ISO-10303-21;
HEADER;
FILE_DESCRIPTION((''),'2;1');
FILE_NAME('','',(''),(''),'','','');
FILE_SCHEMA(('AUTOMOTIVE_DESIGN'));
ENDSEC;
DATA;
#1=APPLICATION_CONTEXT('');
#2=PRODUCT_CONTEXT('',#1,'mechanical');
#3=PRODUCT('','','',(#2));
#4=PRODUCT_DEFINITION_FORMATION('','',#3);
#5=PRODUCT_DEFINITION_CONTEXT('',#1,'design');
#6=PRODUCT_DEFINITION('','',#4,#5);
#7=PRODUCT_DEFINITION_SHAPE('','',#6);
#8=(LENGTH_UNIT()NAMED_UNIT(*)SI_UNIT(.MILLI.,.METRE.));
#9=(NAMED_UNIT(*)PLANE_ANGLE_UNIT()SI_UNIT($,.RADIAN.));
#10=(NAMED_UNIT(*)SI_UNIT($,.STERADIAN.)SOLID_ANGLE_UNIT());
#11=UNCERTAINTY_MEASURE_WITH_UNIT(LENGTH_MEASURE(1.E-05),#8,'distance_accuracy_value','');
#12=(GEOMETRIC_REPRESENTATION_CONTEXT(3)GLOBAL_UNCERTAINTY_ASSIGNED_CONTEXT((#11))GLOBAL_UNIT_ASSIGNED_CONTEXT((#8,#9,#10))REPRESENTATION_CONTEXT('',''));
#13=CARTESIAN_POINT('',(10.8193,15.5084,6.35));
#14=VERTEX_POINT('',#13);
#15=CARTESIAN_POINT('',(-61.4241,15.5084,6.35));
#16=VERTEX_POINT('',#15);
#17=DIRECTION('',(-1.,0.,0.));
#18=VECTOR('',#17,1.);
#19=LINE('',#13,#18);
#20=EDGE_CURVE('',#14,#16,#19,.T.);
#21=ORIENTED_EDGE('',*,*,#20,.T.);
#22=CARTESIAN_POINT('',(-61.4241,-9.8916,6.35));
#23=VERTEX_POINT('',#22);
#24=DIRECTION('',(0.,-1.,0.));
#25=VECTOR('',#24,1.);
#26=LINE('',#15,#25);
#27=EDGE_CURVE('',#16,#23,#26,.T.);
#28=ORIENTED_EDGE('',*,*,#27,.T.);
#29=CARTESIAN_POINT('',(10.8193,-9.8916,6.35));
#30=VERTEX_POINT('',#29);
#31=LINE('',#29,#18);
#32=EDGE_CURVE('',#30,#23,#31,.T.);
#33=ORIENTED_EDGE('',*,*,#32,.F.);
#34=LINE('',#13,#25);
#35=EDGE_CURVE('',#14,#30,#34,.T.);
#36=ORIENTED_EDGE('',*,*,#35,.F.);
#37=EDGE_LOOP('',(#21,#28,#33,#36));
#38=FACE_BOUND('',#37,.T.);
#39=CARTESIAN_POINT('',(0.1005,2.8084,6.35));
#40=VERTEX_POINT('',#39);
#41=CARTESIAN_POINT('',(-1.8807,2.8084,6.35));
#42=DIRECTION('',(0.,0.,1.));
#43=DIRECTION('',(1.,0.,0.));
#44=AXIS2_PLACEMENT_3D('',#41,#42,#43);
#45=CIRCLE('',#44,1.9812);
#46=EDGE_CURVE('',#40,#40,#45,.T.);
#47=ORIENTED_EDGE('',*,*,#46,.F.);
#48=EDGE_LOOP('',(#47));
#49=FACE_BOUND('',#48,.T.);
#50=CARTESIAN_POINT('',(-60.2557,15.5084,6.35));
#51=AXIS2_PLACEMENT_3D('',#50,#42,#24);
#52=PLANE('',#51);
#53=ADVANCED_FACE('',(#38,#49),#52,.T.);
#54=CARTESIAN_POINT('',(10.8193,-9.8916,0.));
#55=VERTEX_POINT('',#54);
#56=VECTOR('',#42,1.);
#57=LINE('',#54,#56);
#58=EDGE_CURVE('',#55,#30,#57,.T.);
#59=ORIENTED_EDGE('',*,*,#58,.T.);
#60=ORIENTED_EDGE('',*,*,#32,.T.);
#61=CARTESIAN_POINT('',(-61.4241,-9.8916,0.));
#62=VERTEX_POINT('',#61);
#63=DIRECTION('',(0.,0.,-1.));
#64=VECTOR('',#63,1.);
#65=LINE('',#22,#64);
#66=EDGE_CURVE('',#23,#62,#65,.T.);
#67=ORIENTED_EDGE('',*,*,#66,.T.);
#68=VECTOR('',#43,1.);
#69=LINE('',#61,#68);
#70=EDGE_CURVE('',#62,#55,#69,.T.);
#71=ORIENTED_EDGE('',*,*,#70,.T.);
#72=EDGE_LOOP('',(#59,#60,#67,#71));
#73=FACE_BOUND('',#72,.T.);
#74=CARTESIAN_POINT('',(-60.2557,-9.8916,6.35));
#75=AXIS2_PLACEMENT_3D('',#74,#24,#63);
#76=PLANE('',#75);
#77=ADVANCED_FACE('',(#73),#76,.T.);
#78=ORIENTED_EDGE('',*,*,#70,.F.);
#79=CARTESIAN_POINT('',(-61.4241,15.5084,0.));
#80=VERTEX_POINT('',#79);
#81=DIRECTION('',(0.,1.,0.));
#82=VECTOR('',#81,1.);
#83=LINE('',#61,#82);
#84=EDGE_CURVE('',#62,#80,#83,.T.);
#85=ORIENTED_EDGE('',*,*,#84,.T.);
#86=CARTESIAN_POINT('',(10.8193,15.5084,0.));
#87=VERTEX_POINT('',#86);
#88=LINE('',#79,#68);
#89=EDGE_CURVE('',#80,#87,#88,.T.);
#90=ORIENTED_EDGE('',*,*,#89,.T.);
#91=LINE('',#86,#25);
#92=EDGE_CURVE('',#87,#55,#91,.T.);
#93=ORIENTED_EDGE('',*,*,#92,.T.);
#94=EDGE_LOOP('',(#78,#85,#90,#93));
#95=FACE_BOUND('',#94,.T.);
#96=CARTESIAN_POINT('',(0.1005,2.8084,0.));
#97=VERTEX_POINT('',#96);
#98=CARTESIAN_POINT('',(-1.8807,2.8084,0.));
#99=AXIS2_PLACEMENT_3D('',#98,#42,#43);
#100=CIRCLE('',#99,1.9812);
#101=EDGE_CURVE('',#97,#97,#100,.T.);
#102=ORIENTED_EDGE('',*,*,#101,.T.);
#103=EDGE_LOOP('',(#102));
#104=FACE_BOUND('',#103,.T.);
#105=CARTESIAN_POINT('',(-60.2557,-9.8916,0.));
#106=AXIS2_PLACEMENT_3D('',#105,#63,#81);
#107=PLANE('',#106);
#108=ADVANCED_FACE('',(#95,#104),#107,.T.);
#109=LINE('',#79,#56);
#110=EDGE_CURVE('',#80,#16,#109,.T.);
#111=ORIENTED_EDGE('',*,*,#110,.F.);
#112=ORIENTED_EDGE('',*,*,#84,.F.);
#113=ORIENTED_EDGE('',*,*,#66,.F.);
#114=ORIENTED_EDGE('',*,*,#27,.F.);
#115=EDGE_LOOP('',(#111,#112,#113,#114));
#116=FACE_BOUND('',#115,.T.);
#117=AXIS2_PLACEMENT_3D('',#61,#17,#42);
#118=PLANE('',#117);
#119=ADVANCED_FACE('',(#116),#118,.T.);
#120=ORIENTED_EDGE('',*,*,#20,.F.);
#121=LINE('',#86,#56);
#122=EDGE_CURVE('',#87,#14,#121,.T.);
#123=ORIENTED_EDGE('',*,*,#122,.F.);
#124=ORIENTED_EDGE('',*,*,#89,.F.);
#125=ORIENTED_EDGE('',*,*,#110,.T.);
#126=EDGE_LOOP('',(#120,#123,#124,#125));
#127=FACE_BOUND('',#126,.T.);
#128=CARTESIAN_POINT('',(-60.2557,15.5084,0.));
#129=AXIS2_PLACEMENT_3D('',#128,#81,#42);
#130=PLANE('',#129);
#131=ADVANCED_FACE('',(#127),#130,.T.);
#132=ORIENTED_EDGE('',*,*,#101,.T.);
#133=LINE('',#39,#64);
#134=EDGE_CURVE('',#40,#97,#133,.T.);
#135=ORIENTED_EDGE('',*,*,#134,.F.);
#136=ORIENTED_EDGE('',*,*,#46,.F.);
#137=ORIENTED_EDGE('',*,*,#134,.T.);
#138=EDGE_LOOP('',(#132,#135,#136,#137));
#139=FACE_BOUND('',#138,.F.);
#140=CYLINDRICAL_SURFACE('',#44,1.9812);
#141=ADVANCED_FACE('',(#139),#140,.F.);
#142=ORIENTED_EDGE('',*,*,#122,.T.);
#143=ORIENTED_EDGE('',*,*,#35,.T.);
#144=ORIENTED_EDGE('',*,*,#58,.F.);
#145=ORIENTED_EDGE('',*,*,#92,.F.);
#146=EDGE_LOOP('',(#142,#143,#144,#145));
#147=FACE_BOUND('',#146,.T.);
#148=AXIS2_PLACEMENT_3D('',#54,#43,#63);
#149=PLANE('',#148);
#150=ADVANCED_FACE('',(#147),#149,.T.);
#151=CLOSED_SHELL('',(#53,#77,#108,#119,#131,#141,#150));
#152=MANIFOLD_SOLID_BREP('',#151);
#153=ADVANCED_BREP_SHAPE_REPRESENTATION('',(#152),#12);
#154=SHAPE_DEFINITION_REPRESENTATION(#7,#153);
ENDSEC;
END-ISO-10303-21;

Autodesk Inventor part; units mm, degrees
ref_plane "YZ Plane" through (0, 0, 0) normal (1, 0, 0) x (0, 1, 0)
ref_plane "XZ Plane" through (0, 0, 0) normal (0, 1, 0) x (-1, 0, 0)
ref_plane "XY Plane" through (0, 0, 0) normal (0, 0, 1) x (1, 0, 0)
sketch "Sketch1" plane through (0, 0, 0) normal (0, 0, 1) x (1, 0, 0)
  line L0 (-53.9057, 15.5084) -> (-1.8807, 15.5084)
  line L1 (-1.8807, 15.5084) -> (-1.8807, -9.8916)
  line L2 (-1.8807, -9.8916) -> (-53.9057, -9.8916)
  line L3 (-53.9057, -9.8916) -> (-53.9057, 15.5084)
  point P0 (0, 0)
  dimension "d0" = 52.025
  dimension "d1" = 25.4
extrude "Extrusion1" add sketch "Sketch1" along normal blind 6.35
sketch "Sketch2" plane through (-1.8807, -9.8916, 0) normal (1, 0, 0) x (0, 0, -1)
  line L0 (-6.35, 25.4) -> (-6.35, 0) projected
  line L1 (0, 0) -> (-6.35, 0) projected
  line L2 (0, 25.4) -> (0, 0) projected
  line L3 (0, 25.4) -> (-6.35, 25.4) projected
  point P0 (0, 9.8916)
extrude "Extrusion2" add sketch "Sketch2" along normal blind 12.7
sketch "Sketch3" plane through (0, 0, 6.35) normal (0, 0, 1) x (1, 0, 0)
  line L0 (10.8193, -9.8916) -> (10.8193, 15.5084) projected
  line L1 (10.8193, -9.8916) -> (10.8193, 2.8084)
  line L2 (10.8193, 2.8084) -> (-1.8807, 2.8084)
  circle A0 centre (-1.8807, 2.8084) radius 1.9812
  point P0 (0, 0)
  dimension "d6" = 12.7
  dimension "d7" = 3.9624
extrude "Extrusion3" cut sketch "Sketch3" against normal blind 12.7
sketch "Sketch4" plane through (-53.9057, -9.8916, 0) normal (-1, 0, 0) x (0, 0, 1)
  line L0 (6.35, 0) -> (6.35, 25.4) projected
  line L1 (0, 25.4) -> (6.35, 25.4) projected
  line L2 (0, 0) -> (0, 25.4) projected
  line L3 (0, 0) -> (6.35, 0) projected
  point P0 (0, 9.8916)
extrude "Extrusion4" add sketch "Sketch4" along normal blind 6.35
sketch "Sketch5" plane through (-60.2557, -9.8916, 0) normal (-1, 0, 0) x (0, 0, 1)
  line L0 (6.35, 0) -> (0, 0) projected
  line L1 (6.35, 25.4) -> (6.35, 0) projected
  line L2 (0, 25.4) -> (6.35, 25.4) projected
  line L3 (0, 0) -> (0, 25.4) projected
  point P0 (0, 9.8916)
extrude "Extrusion5" add sketch "Sketch5" along normal blind 1.1684
properties part number "hconnector2"
